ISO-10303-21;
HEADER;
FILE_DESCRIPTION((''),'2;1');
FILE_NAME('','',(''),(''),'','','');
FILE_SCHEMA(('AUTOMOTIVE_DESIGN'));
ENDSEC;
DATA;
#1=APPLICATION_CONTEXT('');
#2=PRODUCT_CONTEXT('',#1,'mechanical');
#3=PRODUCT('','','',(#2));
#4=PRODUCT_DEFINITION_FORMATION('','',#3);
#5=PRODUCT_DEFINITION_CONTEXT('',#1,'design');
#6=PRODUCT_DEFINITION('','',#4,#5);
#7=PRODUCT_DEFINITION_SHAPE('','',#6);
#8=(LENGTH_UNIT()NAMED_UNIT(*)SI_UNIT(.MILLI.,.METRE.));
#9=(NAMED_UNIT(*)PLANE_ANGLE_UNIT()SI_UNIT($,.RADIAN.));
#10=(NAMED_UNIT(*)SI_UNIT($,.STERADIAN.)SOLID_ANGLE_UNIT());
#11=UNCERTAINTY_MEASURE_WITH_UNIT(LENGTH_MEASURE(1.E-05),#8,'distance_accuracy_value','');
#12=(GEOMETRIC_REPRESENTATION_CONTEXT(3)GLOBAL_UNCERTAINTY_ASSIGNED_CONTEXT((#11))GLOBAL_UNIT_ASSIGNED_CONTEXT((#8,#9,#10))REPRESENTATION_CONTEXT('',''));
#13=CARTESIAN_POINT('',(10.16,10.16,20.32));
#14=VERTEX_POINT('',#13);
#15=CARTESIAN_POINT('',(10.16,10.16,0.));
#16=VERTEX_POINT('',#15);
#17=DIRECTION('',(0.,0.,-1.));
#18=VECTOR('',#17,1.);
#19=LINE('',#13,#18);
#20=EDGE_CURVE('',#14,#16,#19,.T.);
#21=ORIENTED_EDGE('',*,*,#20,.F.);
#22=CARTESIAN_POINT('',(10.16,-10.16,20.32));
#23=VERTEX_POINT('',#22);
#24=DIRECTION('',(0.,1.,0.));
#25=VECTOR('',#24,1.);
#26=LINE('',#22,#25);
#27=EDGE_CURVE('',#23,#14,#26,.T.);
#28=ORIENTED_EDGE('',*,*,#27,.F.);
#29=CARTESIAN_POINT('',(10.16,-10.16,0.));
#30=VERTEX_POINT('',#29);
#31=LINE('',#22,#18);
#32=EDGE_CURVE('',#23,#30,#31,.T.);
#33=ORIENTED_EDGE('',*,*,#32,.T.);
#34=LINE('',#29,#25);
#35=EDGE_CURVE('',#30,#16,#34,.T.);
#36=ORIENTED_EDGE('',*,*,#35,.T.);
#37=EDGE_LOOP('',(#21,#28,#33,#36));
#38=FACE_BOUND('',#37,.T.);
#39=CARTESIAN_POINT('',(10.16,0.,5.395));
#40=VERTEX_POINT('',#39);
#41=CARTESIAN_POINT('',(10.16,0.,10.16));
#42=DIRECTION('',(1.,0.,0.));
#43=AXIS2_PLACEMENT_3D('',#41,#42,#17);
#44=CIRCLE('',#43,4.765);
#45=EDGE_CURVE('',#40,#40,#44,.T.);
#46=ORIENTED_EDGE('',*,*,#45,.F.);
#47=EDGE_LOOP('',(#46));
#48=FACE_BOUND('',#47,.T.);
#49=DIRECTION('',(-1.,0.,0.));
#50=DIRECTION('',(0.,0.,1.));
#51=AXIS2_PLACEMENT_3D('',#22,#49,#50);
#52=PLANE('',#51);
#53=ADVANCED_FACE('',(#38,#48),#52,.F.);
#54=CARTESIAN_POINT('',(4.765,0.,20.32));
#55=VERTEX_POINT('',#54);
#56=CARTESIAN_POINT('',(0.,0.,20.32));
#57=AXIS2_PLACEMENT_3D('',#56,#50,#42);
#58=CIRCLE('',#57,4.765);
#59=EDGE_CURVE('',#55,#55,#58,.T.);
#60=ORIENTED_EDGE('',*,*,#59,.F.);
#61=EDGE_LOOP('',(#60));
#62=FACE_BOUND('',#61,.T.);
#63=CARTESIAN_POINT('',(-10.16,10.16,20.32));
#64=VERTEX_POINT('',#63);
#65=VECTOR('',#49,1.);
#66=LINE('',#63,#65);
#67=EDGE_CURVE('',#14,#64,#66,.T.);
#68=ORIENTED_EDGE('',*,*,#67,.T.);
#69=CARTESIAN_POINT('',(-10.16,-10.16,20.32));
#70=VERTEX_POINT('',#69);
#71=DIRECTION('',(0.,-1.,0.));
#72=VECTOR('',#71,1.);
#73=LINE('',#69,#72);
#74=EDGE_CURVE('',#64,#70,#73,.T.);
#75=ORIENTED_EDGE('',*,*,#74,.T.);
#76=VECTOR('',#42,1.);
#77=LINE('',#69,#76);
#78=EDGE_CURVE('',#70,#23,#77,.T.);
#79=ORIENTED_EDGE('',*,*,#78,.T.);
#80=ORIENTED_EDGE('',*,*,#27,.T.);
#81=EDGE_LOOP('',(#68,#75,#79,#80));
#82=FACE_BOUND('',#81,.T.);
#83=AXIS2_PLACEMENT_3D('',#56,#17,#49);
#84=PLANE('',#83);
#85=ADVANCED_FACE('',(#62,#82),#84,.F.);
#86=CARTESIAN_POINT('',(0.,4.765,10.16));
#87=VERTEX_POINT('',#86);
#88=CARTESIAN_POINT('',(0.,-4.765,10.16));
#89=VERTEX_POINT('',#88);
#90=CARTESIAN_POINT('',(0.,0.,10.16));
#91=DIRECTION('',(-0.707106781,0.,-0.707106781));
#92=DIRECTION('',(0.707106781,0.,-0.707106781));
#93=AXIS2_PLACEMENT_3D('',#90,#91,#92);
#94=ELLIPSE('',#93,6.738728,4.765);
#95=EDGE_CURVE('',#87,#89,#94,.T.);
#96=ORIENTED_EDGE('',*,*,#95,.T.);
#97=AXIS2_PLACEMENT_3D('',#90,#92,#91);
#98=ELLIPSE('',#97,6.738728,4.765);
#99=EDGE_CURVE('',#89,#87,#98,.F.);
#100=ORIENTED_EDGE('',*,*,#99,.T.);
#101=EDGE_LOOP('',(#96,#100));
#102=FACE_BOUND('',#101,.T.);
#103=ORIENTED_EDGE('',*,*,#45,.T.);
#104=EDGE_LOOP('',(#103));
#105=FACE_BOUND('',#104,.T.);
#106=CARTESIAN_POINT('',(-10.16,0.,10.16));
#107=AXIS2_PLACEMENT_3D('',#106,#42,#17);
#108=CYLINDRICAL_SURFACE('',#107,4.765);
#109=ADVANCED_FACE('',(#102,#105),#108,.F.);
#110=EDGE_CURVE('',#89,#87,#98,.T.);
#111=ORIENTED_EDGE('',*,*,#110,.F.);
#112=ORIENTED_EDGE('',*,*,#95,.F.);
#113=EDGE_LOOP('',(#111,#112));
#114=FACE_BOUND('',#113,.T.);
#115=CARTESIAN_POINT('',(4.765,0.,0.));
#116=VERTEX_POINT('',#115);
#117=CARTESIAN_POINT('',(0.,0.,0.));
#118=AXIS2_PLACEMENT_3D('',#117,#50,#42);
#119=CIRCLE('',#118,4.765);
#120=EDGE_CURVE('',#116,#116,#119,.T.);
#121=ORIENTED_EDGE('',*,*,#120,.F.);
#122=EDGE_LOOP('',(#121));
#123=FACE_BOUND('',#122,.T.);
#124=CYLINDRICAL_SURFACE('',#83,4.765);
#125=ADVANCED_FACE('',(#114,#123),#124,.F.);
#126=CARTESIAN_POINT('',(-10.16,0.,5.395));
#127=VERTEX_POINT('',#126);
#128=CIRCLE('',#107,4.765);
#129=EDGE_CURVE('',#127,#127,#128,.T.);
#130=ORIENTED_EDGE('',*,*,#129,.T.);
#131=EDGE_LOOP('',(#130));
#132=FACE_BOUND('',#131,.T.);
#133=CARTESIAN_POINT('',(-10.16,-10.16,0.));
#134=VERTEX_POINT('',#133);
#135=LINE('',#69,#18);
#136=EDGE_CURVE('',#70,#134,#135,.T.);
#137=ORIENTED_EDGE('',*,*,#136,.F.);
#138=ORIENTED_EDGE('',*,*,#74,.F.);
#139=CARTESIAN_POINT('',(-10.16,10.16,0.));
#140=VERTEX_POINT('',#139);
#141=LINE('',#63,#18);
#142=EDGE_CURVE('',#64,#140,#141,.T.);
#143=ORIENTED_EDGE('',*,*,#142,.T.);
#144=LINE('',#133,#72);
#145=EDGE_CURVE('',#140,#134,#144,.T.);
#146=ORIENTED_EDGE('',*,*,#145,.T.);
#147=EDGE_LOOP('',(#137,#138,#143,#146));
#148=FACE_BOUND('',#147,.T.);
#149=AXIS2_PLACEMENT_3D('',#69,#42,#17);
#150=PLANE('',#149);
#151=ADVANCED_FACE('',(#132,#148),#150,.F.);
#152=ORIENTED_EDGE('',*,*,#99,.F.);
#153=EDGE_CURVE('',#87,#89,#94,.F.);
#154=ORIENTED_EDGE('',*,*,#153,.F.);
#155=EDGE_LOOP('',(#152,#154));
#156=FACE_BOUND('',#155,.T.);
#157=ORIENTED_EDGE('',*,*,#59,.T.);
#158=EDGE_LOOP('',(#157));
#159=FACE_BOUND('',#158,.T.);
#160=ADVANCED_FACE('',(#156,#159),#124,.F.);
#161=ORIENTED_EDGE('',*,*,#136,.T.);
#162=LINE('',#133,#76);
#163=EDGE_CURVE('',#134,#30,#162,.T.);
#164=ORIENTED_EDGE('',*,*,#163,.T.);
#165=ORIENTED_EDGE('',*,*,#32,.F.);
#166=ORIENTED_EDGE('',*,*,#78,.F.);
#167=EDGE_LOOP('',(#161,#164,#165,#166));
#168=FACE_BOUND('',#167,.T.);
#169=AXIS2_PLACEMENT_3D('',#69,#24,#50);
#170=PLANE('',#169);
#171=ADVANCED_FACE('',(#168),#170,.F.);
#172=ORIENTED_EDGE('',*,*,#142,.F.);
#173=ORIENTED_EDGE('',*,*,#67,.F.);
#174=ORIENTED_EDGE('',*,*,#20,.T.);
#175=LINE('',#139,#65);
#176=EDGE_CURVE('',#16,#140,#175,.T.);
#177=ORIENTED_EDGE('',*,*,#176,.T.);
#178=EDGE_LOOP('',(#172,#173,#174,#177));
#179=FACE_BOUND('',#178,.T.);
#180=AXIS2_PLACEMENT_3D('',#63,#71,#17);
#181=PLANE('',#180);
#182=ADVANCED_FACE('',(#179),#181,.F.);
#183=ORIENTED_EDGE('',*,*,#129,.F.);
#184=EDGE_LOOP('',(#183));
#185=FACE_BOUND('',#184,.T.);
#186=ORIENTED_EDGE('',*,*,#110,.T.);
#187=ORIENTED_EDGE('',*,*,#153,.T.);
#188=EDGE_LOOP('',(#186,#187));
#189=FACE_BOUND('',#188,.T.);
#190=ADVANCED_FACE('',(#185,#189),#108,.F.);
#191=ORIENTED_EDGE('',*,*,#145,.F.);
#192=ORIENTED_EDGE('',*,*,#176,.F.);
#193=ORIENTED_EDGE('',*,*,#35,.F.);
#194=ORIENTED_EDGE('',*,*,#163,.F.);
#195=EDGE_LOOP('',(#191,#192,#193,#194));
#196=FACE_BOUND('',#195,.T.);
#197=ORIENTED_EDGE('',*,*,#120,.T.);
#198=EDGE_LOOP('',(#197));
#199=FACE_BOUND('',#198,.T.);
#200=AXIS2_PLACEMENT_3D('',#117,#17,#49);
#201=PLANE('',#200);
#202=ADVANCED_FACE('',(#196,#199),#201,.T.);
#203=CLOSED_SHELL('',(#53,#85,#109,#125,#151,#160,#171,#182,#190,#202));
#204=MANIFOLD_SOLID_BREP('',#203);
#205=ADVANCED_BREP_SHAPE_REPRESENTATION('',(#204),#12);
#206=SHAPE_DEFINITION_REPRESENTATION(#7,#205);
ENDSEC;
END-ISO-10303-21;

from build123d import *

# Parameters (mm, degrees)
SKETCH1_W               = 20.32
SKETCH1_H               = 20.32
SKETCH1_R               = 4.765
BOSS_EXTRUDE1_DEPTH     = 20.32
CUT_EXTRUDE1_DEPTH      = 18.597636205
CUT_EXTRUDE1_DEPTH_BACK = 18.597636205
SKETCH2_R               = 4.765


with BuildPart() as part:
    # Sketch1 → Boss-Extrude1 (new body)
    with BuildSketch(Plane.XY):
        Rectangle(SKETCH1_W, SKETCH1_H)
        Circle(SKETCH1_R, mode=Mode.SUBTRACT)
    extrude(amount=BOSS_EXTRUDE1_DEPTH)

    # Sketch2 → Cut-Extrude1 (cut, two sides: drawn at the far end of the back side and taken through both)
    with BuildSketch(Plane(origin=(0, 0, 10.16), x_dir=(0, 0, -1), z_dir=(1, 0, 0)).offset(-CUT_EXTRUDE1_DEPTH_BACK)):
        Circle(SKETCH2_R)
    extrude(amount=CUT_EXTRUDE1_DEPTH + CUT_EXTRUDE1_DEPTH_BACK, mode=Mode.SUBTRACT)


solid = part.part
